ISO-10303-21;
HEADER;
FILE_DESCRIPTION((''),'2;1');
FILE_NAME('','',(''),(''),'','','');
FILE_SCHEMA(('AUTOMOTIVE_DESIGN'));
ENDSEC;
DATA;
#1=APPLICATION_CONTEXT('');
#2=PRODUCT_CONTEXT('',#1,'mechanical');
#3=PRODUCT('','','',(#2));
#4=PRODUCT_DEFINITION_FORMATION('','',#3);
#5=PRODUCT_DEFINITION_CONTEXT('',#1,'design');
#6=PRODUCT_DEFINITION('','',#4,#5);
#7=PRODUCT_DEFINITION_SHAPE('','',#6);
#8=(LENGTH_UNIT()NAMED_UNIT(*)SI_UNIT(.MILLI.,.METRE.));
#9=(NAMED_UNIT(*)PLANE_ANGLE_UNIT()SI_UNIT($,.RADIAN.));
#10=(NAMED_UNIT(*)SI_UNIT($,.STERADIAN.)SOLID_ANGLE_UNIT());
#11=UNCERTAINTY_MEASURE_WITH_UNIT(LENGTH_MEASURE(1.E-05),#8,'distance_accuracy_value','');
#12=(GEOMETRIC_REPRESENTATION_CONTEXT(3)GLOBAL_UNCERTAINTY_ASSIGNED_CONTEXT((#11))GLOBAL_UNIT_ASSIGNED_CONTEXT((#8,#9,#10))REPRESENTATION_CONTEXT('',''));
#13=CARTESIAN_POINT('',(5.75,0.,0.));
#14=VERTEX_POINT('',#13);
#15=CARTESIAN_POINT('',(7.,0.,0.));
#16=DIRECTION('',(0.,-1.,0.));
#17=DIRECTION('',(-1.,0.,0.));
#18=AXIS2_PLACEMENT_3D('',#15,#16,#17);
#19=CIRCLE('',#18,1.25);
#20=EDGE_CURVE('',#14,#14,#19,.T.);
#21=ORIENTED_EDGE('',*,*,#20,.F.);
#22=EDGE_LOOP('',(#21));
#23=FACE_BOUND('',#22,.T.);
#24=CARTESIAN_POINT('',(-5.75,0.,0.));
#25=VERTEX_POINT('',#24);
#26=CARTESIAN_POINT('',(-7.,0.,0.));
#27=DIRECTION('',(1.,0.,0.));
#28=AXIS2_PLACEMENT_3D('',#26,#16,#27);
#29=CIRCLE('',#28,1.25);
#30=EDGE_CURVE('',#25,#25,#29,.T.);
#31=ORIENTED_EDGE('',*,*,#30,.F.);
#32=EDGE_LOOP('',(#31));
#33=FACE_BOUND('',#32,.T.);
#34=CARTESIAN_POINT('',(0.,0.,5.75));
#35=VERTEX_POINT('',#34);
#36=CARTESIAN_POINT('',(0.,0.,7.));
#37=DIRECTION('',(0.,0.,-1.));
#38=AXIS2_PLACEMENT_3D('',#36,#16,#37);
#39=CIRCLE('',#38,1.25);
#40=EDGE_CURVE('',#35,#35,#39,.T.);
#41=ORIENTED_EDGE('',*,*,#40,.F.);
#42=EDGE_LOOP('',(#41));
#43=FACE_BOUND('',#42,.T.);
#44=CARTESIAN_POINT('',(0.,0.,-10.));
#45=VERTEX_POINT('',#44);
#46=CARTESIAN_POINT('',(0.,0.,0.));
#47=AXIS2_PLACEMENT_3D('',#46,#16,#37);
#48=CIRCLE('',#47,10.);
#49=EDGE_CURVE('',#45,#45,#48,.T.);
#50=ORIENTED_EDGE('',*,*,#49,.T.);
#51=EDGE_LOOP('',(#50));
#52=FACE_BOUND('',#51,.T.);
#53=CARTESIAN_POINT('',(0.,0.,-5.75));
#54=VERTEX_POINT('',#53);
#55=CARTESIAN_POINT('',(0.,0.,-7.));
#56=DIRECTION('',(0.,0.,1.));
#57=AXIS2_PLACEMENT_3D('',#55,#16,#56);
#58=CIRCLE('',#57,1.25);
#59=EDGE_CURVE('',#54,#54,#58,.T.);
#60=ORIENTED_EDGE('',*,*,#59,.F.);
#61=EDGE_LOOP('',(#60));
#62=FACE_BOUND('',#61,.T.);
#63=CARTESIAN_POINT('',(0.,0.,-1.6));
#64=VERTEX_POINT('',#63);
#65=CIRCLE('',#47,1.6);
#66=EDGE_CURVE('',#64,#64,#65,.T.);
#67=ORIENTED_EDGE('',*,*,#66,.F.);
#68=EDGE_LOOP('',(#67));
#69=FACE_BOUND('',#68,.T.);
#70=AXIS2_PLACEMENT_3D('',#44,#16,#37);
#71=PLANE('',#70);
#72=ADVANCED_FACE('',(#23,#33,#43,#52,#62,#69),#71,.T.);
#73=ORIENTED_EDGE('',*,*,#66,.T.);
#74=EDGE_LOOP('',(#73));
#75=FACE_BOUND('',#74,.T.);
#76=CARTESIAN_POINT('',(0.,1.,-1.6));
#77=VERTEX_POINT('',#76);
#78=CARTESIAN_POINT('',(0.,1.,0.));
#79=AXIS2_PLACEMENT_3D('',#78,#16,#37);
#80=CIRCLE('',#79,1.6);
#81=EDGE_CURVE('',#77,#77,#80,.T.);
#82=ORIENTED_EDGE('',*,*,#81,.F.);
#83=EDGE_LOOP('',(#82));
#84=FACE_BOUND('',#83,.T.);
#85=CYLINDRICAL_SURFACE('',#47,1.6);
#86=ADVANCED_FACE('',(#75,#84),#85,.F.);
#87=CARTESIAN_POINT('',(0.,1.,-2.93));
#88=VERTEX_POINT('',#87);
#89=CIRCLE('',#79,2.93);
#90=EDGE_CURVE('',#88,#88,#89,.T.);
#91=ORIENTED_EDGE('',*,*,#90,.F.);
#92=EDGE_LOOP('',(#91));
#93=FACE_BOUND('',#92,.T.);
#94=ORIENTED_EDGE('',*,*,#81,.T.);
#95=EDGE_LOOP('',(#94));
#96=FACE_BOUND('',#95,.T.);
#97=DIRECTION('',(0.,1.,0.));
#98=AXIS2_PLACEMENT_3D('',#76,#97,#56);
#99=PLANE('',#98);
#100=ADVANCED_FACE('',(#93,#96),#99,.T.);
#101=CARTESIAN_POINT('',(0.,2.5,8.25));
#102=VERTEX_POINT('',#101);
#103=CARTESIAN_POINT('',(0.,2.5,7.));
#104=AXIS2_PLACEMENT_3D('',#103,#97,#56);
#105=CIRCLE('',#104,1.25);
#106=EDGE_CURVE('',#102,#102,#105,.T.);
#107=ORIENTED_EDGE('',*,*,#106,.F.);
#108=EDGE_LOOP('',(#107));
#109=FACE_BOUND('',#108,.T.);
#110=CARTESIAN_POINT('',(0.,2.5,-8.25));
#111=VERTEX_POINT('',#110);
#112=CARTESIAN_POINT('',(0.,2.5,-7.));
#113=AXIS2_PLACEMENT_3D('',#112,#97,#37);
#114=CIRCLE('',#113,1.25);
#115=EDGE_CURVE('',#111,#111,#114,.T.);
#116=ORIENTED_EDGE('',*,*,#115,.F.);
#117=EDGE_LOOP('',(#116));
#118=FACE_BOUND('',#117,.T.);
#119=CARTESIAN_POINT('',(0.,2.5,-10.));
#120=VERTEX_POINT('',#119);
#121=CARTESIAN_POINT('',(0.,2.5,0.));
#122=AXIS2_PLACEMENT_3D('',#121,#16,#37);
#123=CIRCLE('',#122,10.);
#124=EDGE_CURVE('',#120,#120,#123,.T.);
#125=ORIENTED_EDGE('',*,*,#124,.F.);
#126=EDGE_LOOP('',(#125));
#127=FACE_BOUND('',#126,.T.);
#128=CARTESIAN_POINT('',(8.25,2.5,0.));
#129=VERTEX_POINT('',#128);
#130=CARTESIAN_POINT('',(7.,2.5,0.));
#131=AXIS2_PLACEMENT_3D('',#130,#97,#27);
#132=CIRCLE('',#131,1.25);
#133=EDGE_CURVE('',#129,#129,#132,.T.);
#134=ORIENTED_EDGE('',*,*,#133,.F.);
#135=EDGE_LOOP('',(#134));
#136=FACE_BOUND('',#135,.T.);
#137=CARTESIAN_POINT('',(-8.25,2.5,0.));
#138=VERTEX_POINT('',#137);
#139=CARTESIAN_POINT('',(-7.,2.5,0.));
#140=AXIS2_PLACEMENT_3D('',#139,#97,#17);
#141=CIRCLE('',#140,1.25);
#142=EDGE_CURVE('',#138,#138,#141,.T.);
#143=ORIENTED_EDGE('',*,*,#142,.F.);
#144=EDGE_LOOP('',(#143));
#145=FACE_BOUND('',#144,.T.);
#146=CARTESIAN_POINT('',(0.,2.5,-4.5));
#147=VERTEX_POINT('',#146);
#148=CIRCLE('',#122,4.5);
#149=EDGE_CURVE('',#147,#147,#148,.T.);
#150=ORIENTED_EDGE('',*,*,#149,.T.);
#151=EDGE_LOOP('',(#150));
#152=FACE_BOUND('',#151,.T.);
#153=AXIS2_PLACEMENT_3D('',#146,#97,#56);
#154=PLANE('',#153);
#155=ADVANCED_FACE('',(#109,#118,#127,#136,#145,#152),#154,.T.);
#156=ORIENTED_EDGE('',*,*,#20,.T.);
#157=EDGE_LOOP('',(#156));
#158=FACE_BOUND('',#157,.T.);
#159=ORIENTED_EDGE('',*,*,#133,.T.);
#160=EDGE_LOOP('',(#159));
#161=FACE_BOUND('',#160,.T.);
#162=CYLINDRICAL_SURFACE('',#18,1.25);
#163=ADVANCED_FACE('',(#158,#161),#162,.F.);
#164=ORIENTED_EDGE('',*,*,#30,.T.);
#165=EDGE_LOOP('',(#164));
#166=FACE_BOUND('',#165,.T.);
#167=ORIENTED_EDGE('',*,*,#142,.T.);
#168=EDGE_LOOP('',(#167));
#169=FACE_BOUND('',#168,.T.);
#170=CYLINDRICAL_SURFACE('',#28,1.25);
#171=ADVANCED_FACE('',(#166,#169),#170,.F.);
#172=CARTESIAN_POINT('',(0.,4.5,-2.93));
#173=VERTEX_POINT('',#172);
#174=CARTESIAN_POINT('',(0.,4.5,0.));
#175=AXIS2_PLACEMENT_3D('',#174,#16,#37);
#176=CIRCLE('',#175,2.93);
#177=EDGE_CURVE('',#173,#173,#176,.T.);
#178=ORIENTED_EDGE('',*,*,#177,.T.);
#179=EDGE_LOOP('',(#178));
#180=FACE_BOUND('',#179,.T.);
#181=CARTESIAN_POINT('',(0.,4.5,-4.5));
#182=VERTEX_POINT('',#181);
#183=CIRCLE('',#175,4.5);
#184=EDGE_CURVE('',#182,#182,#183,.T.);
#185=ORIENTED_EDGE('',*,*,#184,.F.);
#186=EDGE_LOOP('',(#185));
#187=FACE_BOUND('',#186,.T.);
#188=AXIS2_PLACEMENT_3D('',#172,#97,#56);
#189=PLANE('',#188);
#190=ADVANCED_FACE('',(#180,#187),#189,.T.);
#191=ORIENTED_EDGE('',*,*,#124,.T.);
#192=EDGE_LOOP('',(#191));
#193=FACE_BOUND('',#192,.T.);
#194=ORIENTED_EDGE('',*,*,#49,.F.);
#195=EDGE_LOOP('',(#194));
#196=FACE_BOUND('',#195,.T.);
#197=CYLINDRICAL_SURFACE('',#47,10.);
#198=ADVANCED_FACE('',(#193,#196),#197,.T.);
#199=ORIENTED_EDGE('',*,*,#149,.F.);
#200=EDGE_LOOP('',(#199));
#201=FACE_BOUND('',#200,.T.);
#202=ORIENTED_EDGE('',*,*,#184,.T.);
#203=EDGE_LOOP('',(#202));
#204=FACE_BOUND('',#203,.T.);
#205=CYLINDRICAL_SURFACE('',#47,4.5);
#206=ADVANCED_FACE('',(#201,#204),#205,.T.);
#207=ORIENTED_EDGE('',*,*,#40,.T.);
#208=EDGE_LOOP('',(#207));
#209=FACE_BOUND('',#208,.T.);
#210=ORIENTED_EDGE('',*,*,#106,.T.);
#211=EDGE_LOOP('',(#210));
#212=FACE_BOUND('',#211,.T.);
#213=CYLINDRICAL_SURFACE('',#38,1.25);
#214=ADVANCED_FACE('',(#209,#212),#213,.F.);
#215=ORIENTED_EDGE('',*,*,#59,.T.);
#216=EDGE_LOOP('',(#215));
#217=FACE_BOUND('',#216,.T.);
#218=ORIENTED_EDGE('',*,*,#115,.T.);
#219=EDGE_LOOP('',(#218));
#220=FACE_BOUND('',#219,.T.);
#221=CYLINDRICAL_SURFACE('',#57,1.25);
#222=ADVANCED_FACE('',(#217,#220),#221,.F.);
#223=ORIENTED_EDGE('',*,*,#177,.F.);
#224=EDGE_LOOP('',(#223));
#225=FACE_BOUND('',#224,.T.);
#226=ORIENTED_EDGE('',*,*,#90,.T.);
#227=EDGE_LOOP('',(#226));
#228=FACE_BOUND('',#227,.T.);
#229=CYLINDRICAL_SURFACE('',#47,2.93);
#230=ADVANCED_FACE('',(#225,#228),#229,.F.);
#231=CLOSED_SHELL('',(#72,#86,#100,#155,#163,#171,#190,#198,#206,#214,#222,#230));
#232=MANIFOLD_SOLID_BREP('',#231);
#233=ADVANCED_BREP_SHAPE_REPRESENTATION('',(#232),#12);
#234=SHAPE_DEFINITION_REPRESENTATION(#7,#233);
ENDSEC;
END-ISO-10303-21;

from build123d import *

# Parameters (mm, degrees)
M3_TAPPED_HOLE1_D = 2.5
CIRPATTERN1_COUNT = 4


with BuildPart() as part:
    # Sketch1 → Revolve1 (revolve)
    with BuildSketch(Plane(origin=(0, 0, 0), x_dir=(0, 0, -1), z_dir=(1, 0, 0))):
        Polygon((1.6, 0), (1.6, 1), (2.93, 1), (2.93, 4.5), (4.5, 4.5), (4.5, 2.5), (10, 2.5), (10, 0), align=None)
    revolve(axis=Axis((0, 0, 0), (0, 1, 0)))

    # M3 Tapped Hole1 (through all)
    with Locations(Plane(origin=(0, 0, 0), x_dir=(-1, 0, 0), z_dir=(0, -1, 0))):
        with Locations((0, -7)):
            m3_tapped_hole1 = Hole(M3_TAPPED_HOLE1_D / 2)

    # CirPattern1: M3 Tapped Hole1 ×4 about axis
    cirpattern1_axis = Axis((0, 0, 0), (0, 1, 0))
    for i in range(1, CIRPATTERN1_COUNT):
        add(m3_tapped_hole1.rotate(cirpattern1_axis, i * 360 / CIRPATTERN1_COUNT), mode=Mode.SUBTRACT)


solid = part.part
